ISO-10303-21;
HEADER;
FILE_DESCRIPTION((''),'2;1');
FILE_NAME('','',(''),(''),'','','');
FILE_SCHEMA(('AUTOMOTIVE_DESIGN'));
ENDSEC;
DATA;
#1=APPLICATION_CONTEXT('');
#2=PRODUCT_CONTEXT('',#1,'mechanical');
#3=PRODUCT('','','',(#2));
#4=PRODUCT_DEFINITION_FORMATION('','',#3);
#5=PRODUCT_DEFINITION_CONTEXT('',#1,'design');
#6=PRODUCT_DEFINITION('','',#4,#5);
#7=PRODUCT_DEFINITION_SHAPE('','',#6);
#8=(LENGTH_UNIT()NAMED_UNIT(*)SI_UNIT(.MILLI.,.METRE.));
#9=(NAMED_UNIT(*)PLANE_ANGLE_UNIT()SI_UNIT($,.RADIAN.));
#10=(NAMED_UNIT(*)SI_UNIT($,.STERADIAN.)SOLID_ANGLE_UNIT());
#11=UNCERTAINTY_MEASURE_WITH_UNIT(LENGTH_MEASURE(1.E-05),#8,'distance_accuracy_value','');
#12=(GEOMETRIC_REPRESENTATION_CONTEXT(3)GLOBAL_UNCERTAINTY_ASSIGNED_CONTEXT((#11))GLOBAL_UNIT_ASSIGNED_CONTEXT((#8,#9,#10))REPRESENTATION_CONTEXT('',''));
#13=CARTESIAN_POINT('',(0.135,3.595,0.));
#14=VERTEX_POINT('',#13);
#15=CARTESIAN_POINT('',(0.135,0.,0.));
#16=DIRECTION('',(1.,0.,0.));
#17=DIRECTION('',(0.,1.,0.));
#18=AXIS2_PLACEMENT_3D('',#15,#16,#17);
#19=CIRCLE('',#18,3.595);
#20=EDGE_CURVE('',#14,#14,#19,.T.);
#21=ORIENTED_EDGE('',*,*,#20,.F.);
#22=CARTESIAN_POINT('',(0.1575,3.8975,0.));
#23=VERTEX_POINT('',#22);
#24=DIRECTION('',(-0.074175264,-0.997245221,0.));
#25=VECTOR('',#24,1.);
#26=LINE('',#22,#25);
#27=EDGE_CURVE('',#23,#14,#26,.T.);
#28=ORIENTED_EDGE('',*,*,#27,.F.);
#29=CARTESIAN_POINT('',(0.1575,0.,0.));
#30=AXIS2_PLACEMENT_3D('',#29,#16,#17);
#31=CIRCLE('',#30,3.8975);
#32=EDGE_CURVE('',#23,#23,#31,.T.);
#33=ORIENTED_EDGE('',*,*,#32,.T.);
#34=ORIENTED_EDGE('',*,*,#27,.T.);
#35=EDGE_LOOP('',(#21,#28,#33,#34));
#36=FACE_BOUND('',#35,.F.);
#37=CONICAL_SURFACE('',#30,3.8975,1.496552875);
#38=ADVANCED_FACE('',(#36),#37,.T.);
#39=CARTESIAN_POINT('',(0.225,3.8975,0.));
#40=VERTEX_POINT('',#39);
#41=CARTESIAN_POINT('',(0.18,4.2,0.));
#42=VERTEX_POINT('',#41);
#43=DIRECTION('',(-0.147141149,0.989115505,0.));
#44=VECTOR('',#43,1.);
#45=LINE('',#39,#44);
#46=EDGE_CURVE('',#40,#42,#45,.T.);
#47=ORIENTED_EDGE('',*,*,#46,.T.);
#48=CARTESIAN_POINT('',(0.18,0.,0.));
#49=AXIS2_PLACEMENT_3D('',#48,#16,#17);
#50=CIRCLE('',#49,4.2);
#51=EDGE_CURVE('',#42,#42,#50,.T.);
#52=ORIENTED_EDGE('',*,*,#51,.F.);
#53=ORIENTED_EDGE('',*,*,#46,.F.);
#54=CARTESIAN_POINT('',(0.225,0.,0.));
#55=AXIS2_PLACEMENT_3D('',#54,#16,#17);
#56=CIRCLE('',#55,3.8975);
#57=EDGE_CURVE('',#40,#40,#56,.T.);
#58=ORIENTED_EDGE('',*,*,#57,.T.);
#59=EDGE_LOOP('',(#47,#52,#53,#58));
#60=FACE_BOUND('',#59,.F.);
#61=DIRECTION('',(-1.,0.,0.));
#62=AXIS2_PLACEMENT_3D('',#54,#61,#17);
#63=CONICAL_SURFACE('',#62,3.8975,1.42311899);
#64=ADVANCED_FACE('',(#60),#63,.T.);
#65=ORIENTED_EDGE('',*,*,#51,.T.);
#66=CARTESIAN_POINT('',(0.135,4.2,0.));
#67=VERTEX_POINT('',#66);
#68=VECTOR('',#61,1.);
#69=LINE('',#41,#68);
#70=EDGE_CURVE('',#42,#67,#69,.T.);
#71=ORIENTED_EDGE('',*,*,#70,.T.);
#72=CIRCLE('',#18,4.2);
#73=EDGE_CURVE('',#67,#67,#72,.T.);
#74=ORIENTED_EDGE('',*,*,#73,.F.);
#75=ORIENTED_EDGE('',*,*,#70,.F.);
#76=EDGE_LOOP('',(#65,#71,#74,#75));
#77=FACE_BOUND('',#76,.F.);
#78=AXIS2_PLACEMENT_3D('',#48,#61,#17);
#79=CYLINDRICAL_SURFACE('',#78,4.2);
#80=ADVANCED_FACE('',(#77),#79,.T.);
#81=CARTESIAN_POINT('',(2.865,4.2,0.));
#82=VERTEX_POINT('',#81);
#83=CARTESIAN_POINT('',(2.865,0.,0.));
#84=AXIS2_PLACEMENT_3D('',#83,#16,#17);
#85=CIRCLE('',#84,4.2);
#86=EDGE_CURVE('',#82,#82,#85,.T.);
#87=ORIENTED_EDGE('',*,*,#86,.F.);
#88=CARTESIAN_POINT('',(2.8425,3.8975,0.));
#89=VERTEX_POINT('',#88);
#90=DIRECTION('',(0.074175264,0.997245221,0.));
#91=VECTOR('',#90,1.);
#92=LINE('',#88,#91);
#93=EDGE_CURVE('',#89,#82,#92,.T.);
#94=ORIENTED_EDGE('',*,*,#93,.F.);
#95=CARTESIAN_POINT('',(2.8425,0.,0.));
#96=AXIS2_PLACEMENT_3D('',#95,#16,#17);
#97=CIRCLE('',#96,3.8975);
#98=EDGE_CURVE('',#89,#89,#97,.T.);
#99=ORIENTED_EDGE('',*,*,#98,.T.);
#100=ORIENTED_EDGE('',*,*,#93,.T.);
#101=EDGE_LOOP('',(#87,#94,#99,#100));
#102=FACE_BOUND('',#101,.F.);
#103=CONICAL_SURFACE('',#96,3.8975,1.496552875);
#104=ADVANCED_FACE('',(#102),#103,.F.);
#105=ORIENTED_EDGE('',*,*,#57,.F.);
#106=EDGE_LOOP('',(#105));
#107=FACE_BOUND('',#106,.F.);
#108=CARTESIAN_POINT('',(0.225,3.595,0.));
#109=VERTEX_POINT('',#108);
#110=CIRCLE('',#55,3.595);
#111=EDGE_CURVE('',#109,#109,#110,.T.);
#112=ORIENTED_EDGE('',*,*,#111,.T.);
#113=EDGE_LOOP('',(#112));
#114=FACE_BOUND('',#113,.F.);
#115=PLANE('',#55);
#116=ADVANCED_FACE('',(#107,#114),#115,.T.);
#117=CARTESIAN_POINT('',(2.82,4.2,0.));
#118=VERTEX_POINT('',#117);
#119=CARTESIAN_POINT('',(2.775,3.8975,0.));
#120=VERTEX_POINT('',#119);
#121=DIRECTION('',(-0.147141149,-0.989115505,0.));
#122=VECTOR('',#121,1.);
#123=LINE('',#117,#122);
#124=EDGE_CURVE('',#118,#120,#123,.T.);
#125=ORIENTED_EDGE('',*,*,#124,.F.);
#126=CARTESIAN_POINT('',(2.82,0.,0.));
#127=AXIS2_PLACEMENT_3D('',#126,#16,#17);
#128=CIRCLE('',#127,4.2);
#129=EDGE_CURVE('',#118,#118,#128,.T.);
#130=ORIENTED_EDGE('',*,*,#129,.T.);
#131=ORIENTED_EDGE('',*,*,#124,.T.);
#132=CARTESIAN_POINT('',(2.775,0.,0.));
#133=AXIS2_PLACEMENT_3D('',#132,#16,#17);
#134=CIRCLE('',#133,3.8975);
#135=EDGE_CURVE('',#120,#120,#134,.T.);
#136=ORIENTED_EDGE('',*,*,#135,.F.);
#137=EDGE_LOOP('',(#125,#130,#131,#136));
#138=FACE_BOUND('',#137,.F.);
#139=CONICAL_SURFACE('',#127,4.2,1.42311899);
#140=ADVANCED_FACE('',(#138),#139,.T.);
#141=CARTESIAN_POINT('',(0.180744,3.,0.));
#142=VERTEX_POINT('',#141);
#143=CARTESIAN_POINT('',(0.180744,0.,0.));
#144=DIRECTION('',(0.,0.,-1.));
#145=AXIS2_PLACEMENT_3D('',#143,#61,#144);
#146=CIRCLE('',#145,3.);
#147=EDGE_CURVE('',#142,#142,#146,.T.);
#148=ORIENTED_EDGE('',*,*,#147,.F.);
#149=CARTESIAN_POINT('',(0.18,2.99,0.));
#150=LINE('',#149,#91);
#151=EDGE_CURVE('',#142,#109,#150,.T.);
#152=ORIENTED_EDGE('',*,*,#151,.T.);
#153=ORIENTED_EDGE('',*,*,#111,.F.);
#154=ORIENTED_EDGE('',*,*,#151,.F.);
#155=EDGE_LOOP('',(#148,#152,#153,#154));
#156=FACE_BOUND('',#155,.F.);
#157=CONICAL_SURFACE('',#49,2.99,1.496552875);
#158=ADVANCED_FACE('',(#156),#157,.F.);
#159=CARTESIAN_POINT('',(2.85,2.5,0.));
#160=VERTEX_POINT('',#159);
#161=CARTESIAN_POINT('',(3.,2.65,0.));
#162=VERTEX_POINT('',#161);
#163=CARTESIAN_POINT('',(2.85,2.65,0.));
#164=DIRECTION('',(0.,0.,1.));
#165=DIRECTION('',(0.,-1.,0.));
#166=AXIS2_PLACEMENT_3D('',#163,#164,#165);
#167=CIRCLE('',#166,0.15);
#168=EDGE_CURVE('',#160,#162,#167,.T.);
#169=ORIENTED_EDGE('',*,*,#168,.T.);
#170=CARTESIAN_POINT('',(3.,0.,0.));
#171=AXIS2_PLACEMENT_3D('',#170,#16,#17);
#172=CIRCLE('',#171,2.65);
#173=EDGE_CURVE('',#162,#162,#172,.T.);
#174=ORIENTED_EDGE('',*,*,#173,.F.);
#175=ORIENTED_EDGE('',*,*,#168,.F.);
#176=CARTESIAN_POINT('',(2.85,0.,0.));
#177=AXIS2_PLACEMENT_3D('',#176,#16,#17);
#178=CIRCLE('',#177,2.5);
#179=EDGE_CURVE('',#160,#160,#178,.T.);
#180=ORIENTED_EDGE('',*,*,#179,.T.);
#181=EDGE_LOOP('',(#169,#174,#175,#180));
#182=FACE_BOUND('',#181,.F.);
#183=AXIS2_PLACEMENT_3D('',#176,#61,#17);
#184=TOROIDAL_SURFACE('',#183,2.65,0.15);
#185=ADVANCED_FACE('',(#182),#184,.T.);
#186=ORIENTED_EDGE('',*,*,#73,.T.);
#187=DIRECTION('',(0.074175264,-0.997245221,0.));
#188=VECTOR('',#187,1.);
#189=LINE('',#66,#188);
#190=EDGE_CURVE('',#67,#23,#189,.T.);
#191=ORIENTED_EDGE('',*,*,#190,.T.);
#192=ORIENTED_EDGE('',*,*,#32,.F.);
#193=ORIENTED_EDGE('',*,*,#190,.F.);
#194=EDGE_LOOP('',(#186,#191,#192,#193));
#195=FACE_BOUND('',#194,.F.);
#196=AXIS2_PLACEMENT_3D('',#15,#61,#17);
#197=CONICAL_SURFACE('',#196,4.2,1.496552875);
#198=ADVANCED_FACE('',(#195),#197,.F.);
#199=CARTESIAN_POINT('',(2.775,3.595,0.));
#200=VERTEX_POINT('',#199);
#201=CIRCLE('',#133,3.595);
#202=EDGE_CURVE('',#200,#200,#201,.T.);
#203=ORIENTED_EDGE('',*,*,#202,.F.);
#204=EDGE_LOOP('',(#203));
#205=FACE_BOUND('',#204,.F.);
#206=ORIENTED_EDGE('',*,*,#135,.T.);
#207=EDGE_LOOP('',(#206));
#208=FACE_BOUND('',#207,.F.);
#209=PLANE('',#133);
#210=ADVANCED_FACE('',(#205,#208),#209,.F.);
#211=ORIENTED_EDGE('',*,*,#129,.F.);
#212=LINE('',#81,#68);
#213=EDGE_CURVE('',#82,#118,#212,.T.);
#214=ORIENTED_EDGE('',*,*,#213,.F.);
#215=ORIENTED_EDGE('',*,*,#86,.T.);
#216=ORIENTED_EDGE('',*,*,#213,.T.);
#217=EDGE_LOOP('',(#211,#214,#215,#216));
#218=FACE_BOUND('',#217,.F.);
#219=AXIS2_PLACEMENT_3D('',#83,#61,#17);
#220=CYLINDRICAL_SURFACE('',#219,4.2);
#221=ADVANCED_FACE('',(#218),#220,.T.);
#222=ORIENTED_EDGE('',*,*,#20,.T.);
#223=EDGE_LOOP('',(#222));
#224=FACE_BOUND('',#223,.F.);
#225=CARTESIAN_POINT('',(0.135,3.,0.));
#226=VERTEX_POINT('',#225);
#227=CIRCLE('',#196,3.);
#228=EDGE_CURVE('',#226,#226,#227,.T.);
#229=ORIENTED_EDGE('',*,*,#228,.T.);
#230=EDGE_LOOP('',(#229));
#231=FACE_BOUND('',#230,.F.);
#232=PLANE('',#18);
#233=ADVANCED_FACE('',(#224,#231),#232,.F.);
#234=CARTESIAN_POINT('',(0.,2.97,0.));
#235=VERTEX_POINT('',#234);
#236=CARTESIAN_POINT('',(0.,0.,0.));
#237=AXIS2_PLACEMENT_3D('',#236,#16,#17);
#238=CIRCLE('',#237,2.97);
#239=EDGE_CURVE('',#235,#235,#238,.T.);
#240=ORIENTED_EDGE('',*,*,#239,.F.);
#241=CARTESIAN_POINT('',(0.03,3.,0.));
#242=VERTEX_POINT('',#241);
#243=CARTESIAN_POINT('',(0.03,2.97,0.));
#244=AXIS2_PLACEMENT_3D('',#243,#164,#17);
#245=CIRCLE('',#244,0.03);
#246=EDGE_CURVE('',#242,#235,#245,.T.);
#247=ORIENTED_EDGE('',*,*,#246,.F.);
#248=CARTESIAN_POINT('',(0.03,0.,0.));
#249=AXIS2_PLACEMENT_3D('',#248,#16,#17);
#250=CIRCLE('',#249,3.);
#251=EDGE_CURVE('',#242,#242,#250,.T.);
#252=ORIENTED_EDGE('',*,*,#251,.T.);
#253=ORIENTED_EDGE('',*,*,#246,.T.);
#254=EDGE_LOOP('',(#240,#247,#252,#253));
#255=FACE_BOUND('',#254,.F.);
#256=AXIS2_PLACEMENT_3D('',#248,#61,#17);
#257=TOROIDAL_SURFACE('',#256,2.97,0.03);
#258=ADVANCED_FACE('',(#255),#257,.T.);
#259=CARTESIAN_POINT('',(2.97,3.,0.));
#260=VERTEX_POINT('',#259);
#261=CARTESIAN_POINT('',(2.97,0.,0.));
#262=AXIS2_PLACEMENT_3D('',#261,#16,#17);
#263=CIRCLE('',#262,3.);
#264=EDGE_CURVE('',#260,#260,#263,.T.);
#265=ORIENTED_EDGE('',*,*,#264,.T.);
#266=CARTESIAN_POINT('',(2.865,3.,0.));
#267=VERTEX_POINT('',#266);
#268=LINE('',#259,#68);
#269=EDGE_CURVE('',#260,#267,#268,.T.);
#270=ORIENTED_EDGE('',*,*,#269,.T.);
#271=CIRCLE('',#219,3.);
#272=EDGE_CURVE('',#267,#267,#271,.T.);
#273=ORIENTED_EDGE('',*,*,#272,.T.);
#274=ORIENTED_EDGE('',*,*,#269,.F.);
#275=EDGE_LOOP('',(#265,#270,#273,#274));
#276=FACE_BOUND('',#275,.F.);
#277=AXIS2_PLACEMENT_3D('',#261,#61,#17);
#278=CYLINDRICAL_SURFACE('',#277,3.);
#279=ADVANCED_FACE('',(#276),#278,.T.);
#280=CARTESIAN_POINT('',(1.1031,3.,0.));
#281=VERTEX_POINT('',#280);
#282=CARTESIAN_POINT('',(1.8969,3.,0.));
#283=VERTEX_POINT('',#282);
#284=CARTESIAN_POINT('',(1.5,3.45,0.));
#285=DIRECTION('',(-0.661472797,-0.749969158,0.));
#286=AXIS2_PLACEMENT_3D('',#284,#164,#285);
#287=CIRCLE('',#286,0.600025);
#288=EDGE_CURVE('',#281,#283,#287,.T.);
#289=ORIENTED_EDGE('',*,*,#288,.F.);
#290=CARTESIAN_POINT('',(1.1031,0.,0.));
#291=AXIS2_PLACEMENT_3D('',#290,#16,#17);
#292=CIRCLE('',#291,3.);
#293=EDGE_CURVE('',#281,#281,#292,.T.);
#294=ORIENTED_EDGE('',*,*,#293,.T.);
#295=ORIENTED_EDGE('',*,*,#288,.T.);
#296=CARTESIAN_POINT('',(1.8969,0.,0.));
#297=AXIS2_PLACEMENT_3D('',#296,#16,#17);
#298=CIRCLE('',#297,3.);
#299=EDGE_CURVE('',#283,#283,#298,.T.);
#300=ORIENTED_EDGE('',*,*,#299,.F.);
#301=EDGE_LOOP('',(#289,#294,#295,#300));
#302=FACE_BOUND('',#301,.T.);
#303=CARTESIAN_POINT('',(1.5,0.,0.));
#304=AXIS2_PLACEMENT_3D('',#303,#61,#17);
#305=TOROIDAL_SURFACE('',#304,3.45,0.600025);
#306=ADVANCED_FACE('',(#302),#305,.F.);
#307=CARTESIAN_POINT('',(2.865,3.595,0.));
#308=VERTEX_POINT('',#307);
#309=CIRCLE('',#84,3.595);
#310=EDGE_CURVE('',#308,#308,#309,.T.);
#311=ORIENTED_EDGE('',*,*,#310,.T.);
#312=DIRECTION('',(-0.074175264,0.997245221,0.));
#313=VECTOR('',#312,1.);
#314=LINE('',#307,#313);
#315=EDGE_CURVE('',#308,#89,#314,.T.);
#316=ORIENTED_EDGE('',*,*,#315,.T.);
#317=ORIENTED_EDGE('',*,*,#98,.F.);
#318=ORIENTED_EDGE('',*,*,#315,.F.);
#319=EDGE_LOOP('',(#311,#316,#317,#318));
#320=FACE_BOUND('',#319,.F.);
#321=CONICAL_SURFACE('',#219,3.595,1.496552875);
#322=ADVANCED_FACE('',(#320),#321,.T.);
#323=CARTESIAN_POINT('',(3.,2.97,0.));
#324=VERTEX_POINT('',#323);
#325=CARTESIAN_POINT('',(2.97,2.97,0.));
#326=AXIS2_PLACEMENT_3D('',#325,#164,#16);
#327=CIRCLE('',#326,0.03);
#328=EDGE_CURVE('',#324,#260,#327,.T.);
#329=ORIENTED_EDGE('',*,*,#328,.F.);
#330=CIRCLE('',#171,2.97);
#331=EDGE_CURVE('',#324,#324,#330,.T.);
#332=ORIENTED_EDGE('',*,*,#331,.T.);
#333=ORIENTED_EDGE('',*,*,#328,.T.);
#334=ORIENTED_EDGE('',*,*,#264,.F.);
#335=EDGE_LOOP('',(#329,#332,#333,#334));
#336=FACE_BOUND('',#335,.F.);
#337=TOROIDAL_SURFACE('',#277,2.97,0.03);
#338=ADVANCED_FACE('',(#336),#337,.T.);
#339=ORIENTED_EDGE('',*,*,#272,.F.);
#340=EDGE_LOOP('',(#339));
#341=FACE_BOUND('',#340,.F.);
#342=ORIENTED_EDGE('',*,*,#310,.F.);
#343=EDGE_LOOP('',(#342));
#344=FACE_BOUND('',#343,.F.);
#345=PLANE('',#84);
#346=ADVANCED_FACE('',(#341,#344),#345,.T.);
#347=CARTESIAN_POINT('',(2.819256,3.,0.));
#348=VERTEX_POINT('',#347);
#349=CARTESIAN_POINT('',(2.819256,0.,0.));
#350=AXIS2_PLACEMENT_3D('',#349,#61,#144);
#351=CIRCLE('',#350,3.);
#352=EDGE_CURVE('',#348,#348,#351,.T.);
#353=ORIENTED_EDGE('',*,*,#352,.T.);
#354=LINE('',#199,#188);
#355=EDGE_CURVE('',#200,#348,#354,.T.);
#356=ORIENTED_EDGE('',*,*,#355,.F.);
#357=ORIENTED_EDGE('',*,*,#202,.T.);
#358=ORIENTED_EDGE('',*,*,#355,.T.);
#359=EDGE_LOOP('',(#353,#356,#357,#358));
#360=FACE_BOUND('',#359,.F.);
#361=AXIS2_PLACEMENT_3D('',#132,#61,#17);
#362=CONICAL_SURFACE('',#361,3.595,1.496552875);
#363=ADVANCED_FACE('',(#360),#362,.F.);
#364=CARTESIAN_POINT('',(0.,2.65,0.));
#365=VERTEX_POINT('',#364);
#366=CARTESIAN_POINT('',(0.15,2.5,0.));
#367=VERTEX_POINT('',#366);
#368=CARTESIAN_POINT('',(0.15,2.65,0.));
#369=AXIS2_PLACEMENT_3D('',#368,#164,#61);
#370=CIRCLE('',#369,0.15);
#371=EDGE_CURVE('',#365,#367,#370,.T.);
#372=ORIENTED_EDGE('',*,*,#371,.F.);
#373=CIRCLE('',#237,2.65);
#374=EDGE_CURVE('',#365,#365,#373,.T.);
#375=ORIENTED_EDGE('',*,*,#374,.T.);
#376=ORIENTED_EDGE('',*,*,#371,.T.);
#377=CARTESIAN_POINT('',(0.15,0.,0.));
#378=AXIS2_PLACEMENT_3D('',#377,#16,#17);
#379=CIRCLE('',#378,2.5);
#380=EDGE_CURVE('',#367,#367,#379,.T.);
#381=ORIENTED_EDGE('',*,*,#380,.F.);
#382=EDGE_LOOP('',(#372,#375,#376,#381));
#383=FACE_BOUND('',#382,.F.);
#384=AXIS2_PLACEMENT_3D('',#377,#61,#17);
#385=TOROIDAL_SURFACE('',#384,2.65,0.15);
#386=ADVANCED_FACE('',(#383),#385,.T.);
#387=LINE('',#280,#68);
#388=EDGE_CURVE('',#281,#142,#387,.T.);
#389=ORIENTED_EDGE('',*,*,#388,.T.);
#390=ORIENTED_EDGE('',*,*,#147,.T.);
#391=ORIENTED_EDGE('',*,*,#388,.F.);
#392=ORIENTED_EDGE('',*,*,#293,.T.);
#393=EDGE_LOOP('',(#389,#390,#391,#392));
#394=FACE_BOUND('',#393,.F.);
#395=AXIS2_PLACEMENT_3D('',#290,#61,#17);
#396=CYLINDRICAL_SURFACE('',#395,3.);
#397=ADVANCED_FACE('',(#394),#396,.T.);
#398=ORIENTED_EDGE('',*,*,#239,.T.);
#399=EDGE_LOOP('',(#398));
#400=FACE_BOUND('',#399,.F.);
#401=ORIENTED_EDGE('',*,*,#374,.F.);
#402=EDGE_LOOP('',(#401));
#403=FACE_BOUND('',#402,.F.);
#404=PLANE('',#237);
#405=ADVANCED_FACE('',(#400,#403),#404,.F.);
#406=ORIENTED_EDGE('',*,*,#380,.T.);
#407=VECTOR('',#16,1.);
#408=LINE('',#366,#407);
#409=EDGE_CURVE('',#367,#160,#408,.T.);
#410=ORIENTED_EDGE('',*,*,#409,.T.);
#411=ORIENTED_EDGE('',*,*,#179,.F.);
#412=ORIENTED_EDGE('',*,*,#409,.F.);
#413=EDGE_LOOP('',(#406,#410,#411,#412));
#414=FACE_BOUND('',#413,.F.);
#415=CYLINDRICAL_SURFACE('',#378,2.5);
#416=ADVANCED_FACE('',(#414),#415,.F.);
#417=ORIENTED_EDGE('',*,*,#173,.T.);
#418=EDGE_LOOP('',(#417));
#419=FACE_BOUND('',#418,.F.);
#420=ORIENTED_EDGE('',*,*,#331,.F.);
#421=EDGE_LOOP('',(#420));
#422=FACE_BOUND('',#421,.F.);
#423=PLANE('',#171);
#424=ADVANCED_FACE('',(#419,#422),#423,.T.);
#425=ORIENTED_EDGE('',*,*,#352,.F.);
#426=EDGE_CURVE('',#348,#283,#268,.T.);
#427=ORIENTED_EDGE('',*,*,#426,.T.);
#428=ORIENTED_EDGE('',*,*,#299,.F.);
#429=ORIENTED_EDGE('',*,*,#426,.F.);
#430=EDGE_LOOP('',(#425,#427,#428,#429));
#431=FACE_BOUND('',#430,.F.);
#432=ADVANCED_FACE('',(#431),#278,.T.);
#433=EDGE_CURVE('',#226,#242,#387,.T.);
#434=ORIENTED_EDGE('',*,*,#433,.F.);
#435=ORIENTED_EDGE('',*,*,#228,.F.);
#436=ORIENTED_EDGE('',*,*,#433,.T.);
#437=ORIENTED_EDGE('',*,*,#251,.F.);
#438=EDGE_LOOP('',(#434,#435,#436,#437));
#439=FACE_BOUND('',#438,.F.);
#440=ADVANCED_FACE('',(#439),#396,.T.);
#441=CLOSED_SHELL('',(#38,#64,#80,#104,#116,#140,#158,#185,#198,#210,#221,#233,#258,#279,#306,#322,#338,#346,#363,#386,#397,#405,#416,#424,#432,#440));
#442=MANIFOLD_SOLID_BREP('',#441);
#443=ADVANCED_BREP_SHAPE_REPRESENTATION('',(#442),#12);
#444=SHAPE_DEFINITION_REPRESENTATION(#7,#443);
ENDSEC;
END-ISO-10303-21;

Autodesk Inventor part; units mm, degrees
ref_plane "YZ Plane" through (0, 0, 0) normal (1, 0, 0) x (0, 1, 0)
ref_plane "XZ Plane" through (0, 0, 0) normal (0, 1, 0) x (-1, 0, 0)
ref_plane "XY Plane" through (0, 0, 0) normal (0, 0, 1) x (1, 0, 0)
sketch "Sketch_17" plane through (0, 0, 0) normal (0, 0, 1) x (1, 0, 0)
  line L0 (50, 0) -> (-50, 0)
  line L1 (0, 2.97) -> (0, 2.65)
  arc A0 (0, 2.65) -> (0.15, 2.5) centre (0.15, 2.65) ccw
  line L2 (0.15, 2.5) -> (2.85, 2.5)
  arc A1 (2.85, 2.5) -> (3, 2.65) centre (2.85, 2.65) ccw
  line L3 (3, 2.65) -> (3, 2.97)
  arc A2 (3, 2.97) -> (2.97, 3) centre (2.97, 2.97) ccw
  line L4 (2.97, 3) -> (1.8969, 3)
  arc A3 (1.1031, 3) -> (1.8969, 3) centre (1.5, 3.45) ccw
  line L5 (1.1031, 3) -> (0.03, 3)
  arc A4 (0.03, 3) -> (0, 2.97) centre (0.03, 2.97) ccw
revolve "Revolution1" add sketch "Sketch_17" angle 360 about axis through (50, 0, 0) along (1, 0, 0)
sketch "Sketch_20" plane through (0, 0, 0) normal (0, 0, 1) x (1, 0, 0)
  line L0 (50, 0) -> (-50, 0)
  line L1 (0.135, 4.2) -> (0.1575, 3.8975)
  line L2 (0.1575, 3.8975) -> (0.135, 3.595)
  line L3 (0.135, 3.595) -> (0.135, 2.99)
  line L4 (0.135, 2.99) -> (0.18, 2.99)
  line L5 (0.18, 2.99) -> (0.225, 3.595)
  line L6 (0.225, 3.595) -> (0.225, 3.8975)
  line L7 (0.225, 3.8975) -> (0.18, 4.2)
  line L8 (0.18, 4.2) -> (0.135, 4.2)
revolve "Revolution2" add sketch "Sketch_20" angle 360 about axis through (50, 0, 0) along (1, 0, 0)
sketch "Sketch_21" plane through (0, 0, 0) normal (0, 0, 1) x (1, 0, 0)
  line L0 (50, 0) -> (-50, 0)
  line L1 (2.775, 3.8975) -> (2.775, 3.595)
  line L2 (2.775, 3.595) -> (2.82, 2.99)
  line L3 (2.82, 2.99) -> (2.865, 2.99)
  line L4 (2.865, 2.99) -> (2.865, 3.595)
  line L5 (2.865, 3.595) -> (2.8425, 3.8975)
  line L6 (2.8425, 3.8975) -> (2.865, 4.2)
  line L7 (2.865, 4.2) -> (2.82, 4.2)
  line L8 (2.82, 4.2) -> (2.775, 3.8975)
revolve "Revolution3" add sketch "Sketch_21" angle 360 about axis through (50, 0, 0) along (1, 0, 0)
properties part number "W 637/5 X-2Z_PART1"
